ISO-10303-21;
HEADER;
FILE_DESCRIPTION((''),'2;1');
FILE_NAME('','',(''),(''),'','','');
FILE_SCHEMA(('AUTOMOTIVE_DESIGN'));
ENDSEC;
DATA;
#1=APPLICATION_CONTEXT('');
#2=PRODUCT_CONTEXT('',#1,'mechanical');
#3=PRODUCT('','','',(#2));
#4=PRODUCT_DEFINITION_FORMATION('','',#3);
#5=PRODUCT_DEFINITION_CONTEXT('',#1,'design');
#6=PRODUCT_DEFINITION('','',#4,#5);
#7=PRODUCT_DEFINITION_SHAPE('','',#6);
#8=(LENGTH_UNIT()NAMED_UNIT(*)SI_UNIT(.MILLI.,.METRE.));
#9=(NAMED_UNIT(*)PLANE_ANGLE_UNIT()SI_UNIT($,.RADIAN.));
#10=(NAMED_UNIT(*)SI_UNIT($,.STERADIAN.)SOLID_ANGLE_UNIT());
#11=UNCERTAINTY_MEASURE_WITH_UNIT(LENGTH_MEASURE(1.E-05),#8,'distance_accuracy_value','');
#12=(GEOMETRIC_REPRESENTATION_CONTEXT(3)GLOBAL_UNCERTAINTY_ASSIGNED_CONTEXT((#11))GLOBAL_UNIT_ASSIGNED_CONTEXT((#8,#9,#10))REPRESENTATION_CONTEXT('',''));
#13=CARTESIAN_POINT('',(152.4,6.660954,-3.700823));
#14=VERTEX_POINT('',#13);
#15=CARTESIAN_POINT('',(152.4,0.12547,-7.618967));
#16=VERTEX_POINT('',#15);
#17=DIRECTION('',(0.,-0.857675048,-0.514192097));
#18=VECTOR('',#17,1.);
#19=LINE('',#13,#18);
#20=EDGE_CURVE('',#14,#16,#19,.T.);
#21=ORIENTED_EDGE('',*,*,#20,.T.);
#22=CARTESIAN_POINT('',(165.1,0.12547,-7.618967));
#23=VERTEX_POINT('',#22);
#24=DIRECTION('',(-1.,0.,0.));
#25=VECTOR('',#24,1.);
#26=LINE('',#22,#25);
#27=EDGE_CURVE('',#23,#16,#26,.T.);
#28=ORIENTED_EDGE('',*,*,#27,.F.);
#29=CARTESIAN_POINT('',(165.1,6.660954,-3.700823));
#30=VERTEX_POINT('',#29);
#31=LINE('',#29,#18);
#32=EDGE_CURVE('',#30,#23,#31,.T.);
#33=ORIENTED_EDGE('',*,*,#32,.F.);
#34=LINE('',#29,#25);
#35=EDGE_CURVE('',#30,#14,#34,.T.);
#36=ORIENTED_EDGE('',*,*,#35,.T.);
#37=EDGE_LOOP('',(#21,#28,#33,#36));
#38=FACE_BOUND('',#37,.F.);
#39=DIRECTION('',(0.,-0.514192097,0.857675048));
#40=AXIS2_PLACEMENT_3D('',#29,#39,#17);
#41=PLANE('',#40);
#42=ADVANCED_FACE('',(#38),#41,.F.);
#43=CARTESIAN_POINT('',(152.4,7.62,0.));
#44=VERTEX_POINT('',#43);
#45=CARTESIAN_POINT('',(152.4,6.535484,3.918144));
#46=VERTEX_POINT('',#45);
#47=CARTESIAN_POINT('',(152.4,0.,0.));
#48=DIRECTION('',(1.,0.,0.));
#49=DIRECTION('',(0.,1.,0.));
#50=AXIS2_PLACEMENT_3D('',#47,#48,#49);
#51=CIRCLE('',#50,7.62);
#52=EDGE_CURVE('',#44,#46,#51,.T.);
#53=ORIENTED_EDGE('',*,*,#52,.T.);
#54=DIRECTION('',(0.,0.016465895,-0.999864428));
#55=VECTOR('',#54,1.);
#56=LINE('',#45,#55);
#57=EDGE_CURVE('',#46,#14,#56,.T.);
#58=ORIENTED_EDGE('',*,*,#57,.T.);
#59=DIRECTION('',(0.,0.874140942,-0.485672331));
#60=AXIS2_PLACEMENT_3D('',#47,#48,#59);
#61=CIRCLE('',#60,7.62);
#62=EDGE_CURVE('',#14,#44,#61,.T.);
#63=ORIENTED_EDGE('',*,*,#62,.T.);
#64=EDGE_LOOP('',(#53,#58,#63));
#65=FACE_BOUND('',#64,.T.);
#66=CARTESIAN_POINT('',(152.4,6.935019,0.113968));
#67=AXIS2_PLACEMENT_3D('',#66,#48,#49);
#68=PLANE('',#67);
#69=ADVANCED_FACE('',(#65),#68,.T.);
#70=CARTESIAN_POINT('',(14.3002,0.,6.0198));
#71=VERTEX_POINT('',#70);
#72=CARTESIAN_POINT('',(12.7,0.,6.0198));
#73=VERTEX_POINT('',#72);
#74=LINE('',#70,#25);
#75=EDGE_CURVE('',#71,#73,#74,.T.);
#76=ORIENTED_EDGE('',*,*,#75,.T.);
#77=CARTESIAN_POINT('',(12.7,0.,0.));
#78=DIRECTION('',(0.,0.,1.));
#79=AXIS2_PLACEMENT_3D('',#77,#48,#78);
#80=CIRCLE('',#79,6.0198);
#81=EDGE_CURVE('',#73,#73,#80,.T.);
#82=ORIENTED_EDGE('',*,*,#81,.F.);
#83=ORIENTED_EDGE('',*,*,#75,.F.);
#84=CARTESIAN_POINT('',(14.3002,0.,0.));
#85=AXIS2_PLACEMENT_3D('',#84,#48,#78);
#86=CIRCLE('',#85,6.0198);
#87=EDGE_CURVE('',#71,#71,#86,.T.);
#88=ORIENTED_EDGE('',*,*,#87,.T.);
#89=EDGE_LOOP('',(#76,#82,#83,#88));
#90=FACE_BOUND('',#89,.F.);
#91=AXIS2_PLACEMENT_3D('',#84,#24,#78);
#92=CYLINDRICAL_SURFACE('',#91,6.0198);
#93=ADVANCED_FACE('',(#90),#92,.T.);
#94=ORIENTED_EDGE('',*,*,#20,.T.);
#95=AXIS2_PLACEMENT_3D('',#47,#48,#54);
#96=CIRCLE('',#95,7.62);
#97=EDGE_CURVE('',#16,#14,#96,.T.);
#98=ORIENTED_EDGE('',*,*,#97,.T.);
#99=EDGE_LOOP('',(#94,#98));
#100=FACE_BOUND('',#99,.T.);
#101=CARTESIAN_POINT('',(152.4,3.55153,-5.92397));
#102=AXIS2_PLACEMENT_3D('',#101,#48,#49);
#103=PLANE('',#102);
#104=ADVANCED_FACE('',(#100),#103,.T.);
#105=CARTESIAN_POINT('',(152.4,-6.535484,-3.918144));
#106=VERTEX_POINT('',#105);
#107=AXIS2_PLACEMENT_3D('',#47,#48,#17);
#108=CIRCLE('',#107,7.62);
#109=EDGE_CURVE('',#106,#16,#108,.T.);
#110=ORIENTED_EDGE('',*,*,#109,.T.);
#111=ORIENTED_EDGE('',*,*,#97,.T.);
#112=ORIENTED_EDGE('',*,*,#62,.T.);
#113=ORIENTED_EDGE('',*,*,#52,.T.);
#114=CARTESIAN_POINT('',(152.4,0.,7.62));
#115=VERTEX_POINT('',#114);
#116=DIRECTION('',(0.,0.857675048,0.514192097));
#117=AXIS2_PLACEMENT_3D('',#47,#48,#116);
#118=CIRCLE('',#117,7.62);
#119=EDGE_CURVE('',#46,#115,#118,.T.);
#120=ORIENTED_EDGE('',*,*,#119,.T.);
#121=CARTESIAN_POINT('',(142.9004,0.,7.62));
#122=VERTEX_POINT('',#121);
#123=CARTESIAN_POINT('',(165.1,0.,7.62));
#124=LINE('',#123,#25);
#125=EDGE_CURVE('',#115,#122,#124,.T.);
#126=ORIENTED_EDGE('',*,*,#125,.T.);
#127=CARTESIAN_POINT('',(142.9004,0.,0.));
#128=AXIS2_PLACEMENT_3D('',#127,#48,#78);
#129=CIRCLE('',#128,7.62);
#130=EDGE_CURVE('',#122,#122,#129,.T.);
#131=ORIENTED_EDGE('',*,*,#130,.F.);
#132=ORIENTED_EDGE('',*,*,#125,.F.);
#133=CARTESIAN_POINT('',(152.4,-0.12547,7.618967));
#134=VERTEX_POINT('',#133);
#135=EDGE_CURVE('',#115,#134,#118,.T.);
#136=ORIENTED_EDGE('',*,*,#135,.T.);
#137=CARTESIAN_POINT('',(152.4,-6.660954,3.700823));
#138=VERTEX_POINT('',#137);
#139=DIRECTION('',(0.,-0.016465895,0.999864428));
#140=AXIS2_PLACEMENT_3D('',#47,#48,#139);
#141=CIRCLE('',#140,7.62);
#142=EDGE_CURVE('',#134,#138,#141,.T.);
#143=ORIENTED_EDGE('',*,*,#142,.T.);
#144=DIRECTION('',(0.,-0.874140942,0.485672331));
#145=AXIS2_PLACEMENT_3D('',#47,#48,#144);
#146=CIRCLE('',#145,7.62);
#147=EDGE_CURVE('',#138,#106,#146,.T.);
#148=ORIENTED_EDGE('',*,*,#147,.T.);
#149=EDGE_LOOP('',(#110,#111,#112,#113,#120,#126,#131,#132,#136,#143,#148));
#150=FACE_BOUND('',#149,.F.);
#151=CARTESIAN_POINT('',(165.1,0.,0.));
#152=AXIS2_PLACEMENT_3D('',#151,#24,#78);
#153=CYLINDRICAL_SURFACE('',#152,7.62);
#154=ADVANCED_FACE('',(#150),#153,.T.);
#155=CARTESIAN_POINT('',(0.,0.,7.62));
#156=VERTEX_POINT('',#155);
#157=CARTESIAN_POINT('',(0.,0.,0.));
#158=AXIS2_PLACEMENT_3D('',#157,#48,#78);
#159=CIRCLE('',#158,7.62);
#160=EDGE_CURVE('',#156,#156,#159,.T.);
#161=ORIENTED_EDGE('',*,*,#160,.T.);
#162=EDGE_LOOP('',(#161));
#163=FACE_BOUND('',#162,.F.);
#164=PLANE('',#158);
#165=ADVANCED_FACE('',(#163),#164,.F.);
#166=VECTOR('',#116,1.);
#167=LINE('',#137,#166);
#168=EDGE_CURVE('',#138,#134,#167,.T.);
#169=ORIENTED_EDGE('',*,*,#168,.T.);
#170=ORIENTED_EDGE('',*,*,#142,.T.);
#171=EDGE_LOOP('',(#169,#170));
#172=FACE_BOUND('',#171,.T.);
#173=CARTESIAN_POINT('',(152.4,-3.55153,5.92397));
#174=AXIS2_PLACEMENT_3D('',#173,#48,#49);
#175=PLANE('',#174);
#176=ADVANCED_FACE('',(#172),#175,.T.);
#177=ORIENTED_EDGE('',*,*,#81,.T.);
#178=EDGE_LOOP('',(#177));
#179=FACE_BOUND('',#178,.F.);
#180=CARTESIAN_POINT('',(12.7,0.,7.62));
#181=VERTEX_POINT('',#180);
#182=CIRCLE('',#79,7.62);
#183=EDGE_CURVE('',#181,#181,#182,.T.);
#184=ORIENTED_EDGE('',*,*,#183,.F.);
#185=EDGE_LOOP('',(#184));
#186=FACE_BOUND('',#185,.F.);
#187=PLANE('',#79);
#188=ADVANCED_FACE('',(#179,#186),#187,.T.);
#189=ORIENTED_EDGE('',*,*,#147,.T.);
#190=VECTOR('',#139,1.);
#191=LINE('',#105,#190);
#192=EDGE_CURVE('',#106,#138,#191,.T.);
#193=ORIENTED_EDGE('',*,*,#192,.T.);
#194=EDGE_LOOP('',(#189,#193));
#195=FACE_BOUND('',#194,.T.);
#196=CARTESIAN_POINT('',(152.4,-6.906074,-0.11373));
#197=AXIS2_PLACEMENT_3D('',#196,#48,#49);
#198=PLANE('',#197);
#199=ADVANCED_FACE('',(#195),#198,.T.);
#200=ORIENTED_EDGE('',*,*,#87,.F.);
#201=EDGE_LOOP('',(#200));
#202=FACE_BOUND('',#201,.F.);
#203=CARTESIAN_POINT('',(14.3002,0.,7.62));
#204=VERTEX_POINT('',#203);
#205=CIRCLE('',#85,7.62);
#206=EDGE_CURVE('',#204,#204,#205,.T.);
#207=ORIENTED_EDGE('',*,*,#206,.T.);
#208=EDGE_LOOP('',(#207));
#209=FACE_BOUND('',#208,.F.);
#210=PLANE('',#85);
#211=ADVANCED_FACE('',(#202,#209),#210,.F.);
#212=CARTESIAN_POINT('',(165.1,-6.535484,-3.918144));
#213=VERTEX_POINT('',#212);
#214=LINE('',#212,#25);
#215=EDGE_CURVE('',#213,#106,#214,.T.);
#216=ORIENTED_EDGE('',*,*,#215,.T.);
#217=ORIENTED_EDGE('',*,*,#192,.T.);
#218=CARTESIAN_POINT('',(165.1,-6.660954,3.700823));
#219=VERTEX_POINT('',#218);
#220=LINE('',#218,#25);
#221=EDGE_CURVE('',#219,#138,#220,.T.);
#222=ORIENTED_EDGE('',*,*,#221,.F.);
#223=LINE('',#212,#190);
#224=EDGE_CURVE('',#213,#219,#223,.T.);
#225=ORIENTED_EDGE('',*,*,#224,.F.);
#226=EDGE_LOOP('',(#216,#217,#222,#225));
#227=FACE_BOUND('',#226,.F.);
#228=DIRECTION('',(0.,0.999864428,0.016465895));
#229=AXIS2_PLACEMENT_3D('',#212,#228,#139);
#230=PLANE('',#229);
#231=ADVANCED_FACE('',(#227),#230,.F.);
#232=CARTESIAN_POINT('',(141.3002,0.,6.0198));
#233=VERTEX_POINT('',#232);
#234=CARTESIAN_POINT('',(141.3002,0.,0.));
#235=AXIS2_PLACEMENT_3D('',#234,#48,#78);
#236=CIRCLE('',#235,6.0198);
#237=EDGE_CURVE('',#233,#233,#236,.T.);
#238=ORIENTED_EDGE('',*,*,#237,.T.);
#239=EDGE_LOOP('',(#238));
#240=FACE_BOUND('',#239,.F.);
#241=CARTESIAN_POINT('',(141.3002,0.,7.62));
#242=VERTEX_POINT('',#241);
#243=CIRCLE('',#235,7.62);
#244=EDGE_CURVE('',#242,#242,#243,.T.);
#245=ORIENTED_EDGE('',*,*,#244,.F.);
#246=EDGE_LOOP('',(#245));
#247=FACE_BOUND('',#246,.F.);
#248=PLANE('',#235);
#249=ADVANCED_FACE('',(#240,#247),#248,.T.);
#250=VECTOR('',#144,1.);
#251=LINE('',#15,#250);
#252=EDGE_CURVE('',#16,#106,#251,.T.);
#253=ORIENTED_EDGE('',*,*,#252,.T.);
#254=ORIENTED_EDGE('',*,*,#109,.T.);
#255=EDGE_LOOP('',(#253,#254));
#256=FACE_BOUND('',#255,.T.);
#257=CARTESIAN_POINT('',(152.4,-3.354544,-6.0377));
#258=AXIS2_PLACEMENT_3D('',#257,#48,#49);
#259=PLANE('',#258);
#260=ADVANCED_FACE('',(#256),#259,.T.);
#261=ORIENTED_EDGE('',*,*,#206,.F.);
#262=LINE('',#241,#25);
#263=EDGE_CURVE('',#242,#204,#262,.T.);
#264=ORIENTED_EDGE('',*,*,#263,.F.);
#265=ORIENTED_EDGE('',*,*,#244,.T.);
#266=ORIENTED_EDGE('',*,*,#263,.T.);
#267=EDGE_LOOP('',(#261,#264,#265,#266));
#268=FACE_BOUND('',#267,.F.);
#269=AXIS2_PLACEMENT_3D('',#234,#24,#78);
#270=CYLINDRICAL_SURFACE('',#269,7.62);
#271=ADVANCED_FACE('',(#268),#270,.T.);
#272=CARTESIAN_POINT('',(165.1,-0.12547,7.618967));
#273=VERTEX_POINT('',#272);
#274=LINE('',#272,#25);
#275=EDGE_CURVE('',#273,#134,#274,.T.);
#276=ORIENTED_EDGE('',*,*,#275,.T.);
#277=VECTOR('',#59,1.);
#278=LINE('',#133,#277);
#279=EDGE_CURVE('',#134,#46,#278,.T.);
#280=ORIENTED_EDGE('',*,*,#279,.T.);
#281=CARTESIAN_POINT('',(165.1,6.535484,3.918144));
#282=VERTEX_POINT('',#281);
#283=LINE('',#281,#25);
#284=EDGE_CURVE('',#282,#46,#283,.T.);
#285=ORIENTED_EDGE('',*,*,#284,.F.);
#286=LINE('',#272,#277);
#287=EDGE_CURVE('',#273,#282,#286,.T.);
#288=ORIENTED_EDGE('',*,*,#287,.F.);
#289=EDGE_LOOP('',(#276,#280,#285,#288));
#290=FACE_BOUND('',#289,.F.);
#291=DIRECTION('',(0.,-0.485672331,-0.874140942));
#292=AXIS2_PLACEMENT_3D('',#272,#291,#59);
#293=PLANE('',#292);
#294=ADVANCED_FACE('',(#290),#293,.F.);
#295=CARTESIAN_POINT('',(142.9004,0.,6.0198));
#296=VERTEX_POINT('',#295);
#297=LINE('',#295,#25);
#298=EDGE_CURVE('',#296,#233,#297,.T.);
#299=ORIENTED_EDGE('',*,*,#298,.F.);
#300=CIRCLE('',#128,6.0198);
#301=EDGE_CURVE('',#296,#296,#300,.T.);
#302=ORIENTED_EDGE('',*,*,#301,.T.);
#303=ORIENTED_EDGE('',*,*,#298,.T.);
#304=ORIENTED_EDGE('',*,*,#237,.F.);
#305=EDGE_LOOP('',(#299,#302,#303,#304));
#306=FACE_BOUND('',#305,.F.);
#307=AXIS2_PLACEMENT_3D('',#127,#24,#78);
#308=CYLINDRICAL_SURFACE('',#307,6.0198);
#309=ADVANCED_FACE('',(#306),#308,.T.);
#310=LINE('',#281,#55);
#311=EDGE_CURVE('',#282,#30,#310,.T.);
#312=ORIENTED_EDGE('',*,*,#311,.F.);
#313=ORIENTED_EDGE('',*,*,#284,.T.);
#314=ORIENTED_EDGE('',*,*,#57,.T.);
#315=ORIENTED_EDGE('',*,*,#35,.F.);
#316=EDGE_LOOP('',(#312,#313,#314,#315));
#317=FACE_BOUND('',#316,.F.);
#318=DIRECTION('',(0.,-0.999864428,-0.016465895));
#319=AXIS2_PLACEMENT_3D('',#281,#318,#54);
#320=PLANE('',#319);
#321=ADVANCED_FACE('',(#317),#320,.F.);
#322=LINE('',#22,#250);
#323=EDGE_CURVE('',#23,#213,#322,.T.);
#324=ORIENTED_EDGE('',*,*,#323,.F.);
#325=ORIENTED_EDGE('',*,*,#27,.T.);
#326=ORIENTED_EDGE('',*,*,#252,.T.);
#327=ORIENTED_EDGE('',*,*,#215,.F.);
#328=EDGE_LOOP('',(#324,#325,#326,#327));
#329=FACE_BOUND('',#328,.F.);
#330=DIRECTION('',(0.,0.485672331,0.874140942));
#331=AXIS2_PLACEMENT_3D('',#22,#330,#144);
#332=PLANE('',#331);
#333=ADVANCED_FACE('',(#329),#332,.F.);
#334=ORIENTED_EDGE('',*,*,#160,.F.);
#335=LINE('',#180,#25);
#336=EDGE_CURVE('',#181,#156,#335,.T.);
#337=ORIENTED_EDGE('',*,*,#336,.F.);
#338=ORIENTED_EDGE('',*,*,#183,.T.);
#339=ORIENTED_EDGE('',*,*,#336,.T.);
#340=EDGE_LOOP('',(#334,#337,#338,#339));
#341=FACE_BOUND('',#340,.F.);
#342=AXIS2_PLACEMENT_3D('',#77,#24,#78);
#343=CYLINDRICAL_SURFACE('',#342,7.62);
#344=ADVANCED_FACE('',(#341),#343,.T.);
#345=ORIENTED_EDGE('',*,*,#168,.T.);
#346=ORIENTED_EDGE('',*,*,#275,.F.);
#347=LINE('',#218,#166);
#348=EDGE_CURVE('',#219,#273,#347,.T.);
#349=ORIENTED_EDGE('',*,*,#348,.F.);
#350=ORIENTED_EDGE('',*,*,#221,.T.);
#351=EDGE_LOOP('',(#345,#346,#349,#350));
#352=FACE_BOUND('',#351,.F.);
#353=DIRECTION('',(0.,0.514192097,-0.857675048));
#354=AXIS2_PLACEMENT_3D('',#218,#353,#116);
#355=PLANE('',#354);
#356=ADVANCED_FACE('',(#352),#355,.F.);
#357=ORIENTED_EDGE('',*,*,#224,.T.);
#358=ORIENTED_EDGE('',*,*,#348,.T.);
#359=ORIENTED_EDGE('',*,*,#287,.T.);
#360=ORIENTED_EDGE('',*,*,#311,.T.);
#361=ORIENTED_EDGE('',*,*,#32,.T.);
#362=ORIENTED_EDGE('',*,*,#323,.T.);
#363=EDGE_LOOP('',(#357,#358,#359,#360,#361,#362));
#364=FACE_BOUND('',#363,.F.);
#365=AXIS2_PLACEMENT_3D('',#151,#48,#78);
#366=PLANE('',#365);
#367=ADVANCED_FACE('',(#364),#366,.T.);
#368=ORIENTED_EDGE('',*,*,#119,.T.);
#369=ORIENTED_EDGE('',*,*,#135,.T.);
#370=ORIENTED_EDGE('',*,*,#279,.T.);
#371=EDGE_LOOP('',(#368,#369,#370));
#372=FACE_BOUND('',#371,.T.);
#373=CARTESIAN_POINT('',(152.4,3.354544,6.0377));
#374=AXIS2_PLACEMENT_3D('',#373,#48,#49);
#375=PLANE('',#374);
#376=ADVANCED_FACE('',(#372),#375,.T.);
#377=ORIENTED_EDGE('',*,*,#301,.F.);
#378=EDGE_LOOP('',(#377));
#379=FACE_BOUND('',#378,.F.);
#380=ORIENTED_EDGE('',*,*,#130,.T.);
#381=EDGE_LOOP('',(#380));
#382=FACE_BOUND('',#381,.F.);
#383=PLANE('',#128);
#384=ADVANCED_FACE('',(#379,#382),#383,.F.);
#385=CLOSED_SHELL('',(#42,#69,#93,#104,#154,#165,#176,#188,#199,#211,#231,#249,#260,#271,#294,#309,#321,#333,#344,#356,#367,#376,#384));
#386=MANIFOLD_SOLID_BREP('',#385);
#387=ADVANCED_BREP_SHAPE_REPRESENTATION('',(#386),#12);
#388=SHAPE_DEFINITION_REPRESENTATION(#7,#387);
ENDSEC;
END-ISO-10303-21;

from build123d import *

# Parameters (mm, degrees)
F3_DEPTH = 12.7


with BuildPart() as f1:
    # F0 (on Front) → F1 (revolve)
    with BuildSketch(Plane.XZ):
        Polygon((0, 7.62), (0, 0), (165.1, 0), (165.1, 7.62), (142.9004, 7.62), (142.9004, 6.0198), (141.3002, 6.0198), (141.3002, 7.62), (14.3002, 7.62), (14.3002, 6.0198), (12.7, 6.0198), (12.7, 7.62), align=None)
    revolve(axis=Axis((82.55, 0, 0), (1, 0, 0)))

    # F2 (on face) → F3 (cut)
    with BuildSketch(Plane.YZ.offset(165.1)):
        with BuildLine():
            Line((-6.66095398, 3.7008231619), (-0.1254701169, 7.6189669411))
            ThreePointArc((-0.1254701169, 7.6189669411), (-3.9181437792, 6.5354838632), (-6.66095398, 3.7008231619))
        make_face()
        with BuildLine():
            ThreePointArc((0.1254701169, -7.6189669411), (3.9181437792, -6.5354838632), (6.66095398, -3.7008231619))
            Line((6.66095398, -3.7008231619), (0.1254701169, -7.6189669411))
        make_face()
        with BuildLine():
            ThreePointArc((-6.5354838632, -3.9181437792), (-3.7008231619, -6.66095398), (0.1254701169, -7.6189669411))
            Line((0.1254701169, -7.6189669411), (-6.5354838632, -3.9181437792))
        make_face()
        with BuildLine():
            Line((-6.5354838632, -3.9181437792), (-6.66095398, 3.7008231619))
            ThreePointArc((-6.66095398, 3.7008231619), (-7.6189669411, -0.1254701169), (-6.5354838632, -3.9181437792))
        make_face()
        with BuildLine():
            Line((-0.1254701169, 7.6189669411), (6.5354838632, 3.9181437792))
            ThreePointArc((6.5354838632, 3.9181437792), (3.7008231619, 6.66095398), (-0.1254701169, 7.6189669411))
        make_face()
        with BuildLine():
            ThreePointArc((7.62, 0), (7.3438677493, 2.0327337458), (6.5354838632, 3.9181437792))
            Line((6.5354838632, 3.9181437792), (6.66095398, -3.7008231619))
            ThreePointArc((6.66095398, -3.7008231619), (7.3763429058, -1.9115348116), (7.62, 0))
        make_face()
    extrude(amount=-F3_DEPTH, mode=Mode.SUBTRACT)


solid = f1.part
